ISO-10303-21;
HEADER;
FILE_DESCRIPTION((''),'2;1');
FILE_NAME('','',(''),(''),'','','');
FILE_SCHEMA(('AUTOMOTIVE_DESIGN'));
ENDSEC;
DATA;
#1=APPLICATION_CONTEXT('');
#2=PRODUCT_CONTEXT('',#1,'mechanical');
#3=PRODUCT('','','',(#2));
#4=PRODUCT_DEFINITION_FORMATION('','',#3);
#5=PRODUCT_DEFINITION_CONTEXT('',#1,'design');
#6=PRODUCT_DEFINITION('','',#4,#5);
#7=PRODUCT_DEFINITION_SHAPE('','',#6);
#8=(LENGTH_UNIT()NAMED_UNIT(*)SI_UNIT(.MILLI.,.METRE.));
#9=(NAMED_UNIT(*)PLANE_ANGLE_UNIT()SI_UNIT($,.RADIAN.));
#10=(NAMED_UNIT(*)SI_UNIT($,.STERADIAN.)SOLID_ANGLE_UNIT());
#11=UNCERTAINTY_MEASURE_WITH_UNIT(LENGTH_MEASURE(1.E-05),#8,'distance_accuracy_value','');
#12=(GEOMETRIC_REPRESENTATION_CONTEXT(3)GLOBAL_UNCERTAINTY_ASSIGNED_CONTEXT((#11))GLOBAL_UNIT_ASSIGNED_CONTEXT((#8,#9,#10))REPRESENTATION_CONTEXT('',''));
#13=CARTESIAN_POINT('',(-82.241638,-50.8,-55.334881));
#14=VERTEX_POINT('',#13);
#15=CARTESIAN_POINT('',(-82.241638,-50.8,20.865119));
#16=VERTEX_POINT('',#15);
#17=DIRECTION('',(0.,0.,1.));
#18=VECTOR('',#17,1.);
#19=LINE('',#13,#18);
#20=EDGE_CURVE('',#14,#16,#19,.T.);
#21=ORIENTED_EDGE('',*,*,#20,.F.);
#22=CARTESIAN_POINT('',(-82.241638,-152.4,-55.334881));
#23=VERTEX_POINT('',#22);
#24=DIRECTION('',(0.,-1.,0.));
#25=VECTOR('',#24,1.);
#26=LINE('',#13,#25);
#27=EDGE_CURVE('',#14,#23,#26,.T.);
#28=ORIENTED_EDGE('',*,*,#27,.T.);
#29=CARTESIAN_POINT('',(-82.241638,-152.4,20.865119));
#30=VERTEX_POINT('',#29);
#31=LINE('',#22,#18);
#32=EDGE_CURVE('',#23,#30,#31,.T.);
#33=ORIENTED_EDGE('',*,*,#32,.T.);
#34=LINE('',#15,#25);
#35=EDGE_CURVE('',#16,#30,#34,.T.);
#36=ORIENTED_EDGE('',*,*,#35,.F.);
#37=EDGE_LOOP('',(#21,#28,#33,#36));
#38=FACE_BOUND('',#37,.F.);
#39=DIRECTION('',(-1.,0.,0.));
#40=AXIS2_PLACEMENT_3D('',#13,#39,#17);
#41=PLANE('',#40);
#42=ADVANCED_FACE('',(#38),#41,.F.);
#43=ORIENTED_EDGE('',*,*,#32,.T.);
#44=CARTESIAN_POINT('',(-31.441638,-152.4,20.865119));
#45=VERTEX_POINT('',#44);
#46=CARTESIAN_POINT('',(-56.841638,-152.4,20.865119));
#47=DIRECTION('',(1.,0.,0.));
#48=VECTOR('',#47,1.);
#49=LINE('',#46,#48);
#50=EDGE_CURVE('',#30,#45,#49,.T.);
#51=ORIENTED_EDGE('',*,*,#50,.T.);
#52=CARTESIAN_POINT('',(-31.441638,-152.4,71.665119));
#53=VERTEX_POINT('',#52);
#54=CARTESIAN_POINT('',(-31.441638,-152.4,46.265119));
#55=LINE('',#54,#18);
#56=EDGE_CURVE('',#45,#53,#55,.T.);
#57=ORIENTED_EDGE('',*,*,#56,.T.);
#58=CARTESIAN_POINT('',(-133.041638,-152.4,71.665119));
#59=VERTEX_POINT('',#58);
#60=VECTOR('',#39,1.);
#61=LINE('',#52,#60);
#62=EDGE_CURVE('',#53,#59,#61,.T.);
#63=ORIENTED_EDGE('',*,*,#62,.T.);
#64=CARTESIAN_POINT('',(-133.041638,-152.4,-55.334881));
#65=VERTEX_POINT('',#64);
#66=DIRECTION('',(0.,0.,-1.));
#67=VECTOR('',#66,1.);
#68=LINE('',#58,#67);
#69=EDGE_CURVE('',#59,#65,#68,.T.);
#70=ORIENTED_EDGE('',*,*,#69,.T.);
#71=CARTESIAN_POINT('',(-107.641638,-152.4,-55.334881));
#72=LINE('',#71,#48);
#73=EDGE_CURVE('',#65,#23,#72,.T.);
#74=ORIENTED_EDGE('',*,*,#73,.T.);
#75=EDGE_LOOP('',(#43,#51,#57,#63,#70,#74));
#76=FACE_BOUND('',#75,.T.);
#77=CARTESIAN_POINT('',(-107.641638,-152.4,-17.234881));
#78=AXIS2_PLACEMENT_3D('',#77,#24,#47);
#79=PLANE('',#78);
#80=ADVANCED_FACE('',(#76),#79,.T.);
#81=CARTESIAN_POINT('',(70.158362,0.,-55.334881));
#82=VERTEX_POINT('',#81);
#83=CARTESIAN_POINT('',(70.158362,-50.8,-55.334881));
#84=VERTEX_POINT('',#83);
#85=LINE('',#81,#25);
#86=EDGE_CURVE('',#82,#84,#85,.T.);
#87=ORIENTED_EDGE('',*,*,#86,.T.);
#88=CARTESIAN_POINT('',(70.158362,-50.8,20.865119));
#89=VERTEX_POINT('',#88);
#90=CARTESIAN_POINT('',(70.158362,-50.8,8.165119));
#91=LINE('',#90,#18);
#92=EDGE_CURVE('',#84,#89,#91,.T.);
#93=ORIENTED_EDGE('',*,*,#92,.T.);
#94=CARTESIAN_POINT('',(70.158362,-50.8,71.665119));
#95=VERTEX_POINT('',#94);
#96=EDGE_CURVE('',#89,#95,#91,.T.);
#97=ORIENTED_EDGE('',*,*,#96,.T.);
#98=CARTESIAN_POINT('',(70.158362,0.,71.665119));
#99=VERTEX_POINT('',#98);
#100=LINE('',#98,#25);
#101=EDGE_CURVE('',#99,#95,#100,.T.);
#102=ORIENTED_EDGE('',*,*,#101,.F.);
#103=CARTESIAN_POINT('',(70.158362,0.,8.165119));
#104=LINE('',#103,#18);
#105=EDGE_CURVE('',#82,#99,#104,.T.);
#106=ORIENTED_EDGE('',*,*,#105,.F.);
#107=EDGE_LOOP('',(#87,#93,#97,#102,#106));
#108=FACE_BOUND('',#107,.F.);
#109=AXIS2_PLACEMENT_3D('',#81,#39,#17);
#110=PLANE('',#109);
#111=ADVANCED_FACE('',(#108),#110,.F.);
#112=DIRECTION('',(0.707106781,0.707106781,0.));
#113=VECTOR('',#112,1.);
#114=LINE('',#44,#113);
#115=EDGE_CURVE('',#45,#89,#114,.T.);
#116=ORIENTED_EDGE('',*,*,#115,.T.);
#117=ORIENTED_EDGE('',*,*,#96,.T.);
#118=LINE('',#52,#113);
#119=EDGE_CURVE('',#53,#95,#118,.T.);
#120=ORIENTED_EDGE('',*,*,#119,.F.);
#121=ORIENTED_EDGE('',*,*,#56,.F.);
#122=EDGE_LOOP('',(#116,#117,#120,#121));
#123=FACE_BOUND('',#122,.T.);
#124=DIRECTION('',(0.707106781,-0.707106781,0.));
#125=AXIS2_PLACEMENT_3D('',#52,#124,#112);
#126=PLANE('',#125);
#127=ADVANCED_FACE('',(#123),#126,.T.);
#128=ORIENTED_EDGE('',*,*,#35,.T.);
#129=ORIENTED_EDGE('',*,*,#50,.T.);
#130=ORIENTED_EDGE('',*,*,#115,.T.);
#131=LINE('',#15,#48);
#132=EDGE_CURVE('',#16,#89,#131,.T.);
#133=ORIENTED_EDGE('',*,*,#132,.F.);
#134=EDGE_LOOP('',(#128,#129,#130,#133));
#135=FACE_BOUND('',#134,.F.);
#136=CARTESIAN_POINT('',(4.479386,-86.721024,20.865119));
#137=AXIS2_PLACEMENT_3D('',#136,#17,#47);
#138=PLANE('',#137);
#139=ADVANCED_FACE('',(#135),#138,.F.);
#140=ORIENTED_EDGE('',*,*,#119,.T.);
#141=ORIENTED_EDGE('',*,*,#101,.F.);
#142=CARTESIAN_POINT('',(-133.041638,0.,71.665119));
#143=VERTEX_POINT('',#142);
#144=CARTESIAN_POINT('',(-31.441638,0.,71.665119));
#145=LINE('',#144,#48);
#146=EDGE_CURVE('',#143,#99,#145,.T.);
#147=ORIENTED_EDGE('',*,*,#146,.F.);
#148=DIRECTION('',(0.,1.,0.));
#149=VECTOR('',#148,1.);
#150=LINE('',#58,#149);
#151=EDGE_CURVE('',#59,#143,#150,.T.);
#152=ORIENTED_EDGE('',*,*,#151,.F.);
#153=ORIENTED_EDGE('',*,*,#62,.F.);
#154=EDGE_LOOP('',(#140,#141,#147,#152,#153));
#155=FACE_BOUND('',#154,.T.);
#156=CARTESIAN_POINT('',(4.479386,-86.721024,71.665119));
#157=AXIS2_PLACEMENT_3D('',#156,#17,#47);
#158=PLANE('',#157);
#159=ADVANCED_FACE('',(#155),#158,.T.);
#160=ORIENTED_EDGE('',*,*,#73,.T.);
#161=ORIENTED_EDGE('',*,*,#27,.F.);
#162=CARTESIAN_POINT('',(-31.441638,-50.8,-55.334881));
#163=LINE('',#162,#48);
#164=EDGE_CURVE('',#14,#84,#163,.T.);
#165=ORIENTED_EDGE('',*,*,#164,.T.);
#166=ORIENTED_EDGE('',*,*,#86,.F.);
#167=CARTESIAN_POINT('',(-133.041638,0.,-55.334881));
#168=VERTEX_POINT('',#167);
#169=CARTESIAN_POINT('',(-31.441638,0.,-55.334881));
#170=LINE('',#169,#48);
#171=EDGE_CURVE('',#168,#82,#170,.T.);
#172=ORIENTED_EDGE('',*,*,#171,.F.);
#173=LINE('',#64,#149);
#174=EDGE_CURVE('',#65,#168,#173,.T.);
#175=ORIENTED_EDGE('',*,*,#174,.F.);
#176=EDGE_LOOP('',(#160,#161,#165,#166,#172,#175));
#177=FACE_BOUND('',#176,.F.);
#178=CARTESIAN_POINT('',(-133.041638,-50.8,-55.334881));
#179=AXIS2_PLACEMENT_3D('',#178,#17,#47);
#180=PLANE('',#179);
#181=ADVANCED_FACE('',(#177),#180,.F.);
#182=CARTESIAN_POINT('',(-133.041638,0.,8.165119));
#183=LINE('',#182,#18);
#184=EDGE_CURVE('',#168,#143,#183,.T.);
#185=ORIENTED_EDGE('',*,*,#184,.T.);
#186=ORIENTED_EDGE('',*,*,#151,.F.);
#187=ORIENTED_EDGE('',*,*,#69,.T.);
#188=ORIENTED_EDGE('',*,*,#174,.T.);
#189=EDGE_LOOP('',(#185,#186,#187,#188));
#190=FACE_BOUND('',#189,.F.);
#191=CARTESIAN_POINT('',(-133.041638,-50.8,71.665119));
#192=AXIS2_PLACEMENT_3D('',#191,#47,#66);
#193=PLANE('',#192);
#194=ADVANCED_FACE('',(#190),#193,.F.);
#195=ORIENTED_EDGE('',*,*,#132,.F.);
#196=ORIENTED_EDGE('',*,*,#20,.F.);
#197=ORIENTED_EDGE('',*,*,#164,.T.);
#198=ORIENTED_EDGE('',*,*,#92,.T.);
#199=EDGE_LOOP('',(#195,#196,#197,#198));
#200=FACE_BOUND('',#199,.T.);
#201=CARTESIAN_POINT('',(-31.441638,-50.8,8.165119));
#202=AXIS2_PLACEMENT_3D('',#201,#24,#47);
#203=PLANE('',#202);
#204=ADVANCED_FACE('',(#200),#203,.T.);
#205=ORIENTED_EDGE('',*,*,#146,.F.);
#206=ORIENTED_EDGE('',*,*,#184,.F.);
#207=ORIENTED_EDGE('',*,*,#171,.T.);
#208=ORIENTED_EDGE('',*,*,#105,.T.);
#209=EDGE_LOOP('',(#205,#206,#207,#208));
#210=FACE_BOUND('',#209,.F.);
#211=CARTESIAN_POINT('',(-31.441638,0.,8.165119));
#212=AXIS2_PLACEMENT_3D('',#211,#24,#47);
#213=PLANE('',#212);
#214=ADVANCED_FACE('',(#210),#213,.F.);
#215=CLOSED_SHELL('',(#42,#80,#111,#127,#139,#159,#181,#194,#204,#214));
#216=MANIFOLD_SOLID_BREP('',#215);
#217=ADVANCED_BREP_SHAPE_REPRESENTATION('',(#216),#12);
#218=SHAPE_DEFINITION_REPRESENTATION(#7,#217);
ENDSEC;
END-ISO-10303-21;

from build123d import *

# Parameters (mm, degrees)
F0_W     = 203.2
F0_H     = 127
F1_DEPTH = 50.8
F2_W     = 50.8
F2_H     = 76.2
F2_H_2   = 50.8
F3_DEPTH = 101.6
F5_DEPTH = 50.8


with BuildPart() as f1:
    # F0 (on Front) → F1 (new body)
    with BuildSketch(Plane.XZ):
        with Locations((-31.441638, 8.165119)):
            Rectangle(F0_W, F0_H)
    extrude(amount=F1_DEPTH)

    # F2 (on face) → F3 (join)
    with BuildSketch(Plane.XZ.offset(50.8)):
        with Locations((-107.641638, -17.234881)):
            Rectangle(F2_W, F2_H)
        with Locations((-107.641638, 46.265119)):
            Rectangle(F2_W, F2_H_2)
        with Locations((-56.841638, 46.265119)):
            Rectangle(F2_W, F2_H_2)
    extrude(amount=F3_DEPTH)

    # F4 (on face) → F5 (join)
    with BuildSketch(Plane.XY.offset(71.665119)):
        Polygon((-31.441638, -50.8), (-31.441638, -152.4), (70.158362, -50.8), align=None)
    extrude(amount=-F5_DEPTH)


solid = f1.part
